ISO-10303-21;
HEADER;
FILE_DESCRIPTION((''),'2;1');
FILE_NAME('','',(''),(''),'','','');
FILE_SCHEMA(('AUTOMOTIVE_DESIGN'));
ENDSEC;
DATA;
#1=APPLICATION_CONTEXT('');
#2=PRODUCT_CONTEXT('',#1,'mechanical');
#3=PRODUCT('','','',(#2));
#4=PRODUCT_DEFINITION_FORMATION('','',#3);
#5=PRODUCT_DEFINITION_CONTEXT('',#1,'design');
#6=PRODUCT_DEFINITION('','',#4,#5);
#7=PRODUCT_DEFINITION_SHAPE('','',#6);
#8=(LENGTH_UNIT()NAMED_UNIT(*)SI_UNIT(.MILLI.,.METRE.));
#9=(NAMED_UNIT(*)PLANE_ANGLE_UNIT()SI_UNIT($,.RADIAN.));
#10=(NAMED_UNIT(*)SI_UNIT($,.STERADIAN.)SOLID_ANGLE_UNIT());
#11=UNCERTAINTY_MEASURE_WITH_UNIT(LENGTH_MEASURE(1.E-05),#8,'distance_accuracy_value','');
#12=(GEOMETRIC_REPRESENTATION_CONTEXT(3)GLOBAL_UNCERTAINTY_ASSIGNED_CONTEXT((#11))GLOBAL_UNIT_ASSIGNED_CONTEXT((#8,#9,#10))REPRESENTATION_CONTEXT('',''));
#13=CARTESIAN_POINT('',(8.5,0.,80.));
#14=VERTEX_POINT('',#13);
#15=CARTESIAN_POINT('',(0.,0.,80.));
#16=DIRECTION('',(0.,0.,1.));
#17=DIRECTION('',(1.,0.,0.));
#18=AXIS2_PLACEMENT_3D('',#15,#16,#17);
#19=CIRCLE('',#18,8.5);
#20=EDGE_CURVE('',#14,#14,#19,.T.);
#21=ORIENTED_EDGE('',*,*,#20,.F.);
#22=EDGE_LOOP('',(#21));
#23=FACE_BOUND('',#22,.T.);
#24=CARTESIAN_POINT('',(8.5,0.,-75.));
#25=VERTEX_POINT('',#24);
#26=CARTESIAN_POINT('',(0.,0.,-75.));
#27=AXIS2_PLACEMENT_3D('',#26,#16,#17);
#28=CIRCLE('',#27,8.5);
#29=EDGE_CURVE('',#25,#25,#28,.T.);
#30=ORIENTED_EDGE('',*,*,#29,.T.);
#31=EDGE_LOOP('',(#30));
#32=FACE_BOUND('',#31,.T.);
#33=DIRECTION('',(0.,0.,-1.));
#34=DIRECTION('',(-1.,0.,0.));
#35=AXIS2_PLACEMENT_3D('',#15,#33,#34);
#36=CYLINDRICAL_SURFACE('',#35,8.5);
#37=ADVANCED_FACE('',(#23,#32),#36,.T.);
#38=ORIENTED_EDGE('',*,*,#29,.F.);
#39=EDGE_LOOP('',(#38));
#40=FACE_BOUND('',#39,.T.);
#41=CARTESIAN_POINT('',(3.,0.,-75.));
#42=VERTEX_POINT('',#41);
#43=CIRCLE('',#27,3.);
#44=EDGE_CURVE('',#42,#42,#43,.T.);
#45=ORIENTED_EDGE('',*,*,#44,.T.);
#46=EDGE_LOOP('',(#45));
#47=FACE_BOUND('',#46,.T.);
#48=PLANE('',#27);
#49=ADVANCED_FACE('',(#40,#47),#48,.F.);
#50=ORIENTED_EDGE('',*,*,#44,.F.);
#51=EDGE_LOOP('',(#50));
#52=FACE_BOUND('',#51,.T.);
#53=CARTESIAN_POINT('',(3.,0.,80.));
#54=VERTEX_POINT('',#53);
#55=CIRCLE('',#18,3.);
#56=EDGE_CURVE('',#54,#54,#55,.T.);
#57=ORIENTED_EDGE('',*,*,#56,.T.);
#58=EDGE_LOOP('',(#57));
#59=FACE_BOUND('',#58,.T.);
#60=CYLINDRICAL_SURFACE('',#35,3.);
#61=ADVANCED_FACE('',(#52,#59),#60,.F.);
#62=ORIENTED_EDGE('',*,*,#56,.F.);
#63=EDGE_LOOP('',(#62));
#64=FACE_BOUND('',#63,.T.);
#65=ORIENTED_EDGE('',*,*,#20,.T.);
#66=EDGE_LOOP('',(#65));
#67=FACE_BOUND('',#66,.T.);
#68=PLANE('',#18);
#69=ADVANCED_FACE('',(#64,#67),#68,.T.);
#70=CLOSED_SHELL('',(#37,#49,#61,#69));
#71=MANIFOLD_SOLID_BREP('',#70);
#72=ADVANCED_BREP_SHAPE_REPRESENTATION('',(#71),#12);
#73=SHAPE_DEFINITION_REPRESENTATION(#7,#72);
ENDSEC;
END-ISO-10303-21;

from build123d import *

# Parameters (mm, degrees)
AXLE_ENVELOPE_START = -75
SKETCH_1_R          = 8.5
SKETCH_1_R_2        = 3
AXLE_ENVELOPE_DEPTH = 155


with BuildPart() as part:
    # Эскиз1 → Axle_envelope (new body)
    with BuildSketch(Plane.XY.offset(AXLE_ENVELOPE_START)):
        Circle(SKETCH_1_R)
        Circle(SKETCH_1_R_2, mode=Mode.SUBTRACT)
    extrude(amount=AXLE_ENVELOPE_DEPTH)


solid = part.part
